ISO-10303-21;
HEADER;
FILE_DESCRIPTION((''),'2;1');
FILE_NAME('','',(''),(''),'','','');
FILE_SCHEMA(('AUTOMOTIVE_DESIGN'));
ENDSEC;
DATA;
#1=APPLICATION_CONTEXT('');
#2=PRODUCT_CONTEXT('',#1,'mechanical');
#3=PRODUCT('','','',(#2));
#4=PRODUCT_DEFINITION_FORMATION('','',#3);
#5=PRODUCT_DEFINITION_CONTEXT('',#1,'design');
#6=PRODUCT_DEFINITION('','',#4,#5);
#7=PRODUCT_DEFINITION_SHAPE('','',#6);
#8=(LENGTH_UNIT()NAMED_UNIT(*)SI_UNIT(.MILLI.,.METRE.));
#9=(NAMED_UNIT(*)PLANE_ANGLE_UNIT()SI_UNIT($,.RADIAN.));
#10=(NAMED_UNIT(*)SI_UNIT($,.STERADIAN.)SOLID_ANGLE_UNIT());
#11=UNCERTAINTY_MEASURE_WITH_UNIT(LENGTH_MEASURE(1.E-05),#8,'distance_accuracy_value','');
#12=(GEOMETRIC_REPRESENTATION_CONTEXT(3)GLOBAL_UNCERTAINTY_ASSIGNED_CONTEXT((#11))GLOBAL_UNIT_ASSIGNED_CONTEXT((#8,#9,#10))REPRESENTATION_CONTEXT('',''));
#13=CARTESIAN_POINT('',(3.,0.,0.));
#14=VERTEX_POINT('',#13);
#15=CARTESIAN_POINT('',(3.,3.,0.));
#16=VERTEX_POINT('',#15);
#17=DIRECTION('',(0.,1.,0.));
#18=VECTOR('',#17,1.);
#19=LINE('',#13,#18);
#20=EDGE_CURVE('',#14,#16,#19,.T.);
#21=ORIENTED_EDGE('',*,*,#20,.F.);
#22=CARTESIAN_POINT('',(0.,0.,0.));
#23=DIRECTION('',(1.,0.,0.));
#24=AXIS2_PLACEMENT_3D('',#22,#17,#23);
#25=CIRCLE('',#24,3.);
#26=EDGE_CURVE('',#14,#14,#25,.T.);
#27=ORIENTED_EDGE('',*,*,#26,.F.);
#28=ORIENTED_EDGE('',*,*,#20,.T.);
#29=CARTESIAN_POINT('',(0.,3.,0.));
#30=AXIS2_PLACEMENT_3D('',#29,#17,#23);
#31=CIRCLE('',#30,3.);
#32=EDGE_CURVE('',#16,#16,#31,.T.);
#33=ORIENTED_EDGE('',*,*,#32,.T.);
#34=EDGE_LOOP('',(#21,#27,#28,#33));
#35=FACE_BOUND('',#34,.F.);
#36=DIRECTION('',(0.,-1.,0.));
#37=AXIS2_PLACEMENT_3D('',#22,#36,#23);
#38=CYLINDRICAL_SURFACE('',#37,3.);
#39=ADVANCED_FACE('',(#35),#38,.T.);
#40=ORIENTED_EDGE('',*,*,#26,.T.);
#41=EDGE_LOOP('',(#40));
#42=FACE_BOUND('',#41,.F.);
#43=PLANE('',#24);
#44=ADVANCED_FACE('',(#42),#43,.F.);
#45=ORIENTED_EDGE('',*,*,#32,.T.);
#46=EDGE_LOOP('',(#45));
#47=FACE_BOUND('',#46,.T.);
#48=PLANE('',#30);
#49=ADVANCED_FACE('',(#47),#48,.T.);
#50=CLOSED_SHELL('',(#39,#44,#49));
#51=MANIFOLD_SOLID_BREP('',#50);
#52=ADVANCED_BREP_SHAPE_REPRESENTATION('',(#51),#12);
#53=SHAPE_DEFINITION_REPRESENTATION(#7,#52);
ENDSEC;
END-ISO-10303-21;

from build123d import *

# Parameters (mm, degrees)
CROQUIS1_R              = 3
SALIENTE_EXTRUIR1_DEPTH = 3


with BuildPart() as part:
    # Croquis1 → Saliente-Extruir1 (new body)
    with BuildSketch(Plane(origin=(0, 0, 0), x_dir=(1, 0, 0), z_dir=(0, 1, 0))):
        Circle(CROQUIS1_R)
    extrude(amount=SALIENTE_EXTRUIR1_DEPTH)


solid = part.part
